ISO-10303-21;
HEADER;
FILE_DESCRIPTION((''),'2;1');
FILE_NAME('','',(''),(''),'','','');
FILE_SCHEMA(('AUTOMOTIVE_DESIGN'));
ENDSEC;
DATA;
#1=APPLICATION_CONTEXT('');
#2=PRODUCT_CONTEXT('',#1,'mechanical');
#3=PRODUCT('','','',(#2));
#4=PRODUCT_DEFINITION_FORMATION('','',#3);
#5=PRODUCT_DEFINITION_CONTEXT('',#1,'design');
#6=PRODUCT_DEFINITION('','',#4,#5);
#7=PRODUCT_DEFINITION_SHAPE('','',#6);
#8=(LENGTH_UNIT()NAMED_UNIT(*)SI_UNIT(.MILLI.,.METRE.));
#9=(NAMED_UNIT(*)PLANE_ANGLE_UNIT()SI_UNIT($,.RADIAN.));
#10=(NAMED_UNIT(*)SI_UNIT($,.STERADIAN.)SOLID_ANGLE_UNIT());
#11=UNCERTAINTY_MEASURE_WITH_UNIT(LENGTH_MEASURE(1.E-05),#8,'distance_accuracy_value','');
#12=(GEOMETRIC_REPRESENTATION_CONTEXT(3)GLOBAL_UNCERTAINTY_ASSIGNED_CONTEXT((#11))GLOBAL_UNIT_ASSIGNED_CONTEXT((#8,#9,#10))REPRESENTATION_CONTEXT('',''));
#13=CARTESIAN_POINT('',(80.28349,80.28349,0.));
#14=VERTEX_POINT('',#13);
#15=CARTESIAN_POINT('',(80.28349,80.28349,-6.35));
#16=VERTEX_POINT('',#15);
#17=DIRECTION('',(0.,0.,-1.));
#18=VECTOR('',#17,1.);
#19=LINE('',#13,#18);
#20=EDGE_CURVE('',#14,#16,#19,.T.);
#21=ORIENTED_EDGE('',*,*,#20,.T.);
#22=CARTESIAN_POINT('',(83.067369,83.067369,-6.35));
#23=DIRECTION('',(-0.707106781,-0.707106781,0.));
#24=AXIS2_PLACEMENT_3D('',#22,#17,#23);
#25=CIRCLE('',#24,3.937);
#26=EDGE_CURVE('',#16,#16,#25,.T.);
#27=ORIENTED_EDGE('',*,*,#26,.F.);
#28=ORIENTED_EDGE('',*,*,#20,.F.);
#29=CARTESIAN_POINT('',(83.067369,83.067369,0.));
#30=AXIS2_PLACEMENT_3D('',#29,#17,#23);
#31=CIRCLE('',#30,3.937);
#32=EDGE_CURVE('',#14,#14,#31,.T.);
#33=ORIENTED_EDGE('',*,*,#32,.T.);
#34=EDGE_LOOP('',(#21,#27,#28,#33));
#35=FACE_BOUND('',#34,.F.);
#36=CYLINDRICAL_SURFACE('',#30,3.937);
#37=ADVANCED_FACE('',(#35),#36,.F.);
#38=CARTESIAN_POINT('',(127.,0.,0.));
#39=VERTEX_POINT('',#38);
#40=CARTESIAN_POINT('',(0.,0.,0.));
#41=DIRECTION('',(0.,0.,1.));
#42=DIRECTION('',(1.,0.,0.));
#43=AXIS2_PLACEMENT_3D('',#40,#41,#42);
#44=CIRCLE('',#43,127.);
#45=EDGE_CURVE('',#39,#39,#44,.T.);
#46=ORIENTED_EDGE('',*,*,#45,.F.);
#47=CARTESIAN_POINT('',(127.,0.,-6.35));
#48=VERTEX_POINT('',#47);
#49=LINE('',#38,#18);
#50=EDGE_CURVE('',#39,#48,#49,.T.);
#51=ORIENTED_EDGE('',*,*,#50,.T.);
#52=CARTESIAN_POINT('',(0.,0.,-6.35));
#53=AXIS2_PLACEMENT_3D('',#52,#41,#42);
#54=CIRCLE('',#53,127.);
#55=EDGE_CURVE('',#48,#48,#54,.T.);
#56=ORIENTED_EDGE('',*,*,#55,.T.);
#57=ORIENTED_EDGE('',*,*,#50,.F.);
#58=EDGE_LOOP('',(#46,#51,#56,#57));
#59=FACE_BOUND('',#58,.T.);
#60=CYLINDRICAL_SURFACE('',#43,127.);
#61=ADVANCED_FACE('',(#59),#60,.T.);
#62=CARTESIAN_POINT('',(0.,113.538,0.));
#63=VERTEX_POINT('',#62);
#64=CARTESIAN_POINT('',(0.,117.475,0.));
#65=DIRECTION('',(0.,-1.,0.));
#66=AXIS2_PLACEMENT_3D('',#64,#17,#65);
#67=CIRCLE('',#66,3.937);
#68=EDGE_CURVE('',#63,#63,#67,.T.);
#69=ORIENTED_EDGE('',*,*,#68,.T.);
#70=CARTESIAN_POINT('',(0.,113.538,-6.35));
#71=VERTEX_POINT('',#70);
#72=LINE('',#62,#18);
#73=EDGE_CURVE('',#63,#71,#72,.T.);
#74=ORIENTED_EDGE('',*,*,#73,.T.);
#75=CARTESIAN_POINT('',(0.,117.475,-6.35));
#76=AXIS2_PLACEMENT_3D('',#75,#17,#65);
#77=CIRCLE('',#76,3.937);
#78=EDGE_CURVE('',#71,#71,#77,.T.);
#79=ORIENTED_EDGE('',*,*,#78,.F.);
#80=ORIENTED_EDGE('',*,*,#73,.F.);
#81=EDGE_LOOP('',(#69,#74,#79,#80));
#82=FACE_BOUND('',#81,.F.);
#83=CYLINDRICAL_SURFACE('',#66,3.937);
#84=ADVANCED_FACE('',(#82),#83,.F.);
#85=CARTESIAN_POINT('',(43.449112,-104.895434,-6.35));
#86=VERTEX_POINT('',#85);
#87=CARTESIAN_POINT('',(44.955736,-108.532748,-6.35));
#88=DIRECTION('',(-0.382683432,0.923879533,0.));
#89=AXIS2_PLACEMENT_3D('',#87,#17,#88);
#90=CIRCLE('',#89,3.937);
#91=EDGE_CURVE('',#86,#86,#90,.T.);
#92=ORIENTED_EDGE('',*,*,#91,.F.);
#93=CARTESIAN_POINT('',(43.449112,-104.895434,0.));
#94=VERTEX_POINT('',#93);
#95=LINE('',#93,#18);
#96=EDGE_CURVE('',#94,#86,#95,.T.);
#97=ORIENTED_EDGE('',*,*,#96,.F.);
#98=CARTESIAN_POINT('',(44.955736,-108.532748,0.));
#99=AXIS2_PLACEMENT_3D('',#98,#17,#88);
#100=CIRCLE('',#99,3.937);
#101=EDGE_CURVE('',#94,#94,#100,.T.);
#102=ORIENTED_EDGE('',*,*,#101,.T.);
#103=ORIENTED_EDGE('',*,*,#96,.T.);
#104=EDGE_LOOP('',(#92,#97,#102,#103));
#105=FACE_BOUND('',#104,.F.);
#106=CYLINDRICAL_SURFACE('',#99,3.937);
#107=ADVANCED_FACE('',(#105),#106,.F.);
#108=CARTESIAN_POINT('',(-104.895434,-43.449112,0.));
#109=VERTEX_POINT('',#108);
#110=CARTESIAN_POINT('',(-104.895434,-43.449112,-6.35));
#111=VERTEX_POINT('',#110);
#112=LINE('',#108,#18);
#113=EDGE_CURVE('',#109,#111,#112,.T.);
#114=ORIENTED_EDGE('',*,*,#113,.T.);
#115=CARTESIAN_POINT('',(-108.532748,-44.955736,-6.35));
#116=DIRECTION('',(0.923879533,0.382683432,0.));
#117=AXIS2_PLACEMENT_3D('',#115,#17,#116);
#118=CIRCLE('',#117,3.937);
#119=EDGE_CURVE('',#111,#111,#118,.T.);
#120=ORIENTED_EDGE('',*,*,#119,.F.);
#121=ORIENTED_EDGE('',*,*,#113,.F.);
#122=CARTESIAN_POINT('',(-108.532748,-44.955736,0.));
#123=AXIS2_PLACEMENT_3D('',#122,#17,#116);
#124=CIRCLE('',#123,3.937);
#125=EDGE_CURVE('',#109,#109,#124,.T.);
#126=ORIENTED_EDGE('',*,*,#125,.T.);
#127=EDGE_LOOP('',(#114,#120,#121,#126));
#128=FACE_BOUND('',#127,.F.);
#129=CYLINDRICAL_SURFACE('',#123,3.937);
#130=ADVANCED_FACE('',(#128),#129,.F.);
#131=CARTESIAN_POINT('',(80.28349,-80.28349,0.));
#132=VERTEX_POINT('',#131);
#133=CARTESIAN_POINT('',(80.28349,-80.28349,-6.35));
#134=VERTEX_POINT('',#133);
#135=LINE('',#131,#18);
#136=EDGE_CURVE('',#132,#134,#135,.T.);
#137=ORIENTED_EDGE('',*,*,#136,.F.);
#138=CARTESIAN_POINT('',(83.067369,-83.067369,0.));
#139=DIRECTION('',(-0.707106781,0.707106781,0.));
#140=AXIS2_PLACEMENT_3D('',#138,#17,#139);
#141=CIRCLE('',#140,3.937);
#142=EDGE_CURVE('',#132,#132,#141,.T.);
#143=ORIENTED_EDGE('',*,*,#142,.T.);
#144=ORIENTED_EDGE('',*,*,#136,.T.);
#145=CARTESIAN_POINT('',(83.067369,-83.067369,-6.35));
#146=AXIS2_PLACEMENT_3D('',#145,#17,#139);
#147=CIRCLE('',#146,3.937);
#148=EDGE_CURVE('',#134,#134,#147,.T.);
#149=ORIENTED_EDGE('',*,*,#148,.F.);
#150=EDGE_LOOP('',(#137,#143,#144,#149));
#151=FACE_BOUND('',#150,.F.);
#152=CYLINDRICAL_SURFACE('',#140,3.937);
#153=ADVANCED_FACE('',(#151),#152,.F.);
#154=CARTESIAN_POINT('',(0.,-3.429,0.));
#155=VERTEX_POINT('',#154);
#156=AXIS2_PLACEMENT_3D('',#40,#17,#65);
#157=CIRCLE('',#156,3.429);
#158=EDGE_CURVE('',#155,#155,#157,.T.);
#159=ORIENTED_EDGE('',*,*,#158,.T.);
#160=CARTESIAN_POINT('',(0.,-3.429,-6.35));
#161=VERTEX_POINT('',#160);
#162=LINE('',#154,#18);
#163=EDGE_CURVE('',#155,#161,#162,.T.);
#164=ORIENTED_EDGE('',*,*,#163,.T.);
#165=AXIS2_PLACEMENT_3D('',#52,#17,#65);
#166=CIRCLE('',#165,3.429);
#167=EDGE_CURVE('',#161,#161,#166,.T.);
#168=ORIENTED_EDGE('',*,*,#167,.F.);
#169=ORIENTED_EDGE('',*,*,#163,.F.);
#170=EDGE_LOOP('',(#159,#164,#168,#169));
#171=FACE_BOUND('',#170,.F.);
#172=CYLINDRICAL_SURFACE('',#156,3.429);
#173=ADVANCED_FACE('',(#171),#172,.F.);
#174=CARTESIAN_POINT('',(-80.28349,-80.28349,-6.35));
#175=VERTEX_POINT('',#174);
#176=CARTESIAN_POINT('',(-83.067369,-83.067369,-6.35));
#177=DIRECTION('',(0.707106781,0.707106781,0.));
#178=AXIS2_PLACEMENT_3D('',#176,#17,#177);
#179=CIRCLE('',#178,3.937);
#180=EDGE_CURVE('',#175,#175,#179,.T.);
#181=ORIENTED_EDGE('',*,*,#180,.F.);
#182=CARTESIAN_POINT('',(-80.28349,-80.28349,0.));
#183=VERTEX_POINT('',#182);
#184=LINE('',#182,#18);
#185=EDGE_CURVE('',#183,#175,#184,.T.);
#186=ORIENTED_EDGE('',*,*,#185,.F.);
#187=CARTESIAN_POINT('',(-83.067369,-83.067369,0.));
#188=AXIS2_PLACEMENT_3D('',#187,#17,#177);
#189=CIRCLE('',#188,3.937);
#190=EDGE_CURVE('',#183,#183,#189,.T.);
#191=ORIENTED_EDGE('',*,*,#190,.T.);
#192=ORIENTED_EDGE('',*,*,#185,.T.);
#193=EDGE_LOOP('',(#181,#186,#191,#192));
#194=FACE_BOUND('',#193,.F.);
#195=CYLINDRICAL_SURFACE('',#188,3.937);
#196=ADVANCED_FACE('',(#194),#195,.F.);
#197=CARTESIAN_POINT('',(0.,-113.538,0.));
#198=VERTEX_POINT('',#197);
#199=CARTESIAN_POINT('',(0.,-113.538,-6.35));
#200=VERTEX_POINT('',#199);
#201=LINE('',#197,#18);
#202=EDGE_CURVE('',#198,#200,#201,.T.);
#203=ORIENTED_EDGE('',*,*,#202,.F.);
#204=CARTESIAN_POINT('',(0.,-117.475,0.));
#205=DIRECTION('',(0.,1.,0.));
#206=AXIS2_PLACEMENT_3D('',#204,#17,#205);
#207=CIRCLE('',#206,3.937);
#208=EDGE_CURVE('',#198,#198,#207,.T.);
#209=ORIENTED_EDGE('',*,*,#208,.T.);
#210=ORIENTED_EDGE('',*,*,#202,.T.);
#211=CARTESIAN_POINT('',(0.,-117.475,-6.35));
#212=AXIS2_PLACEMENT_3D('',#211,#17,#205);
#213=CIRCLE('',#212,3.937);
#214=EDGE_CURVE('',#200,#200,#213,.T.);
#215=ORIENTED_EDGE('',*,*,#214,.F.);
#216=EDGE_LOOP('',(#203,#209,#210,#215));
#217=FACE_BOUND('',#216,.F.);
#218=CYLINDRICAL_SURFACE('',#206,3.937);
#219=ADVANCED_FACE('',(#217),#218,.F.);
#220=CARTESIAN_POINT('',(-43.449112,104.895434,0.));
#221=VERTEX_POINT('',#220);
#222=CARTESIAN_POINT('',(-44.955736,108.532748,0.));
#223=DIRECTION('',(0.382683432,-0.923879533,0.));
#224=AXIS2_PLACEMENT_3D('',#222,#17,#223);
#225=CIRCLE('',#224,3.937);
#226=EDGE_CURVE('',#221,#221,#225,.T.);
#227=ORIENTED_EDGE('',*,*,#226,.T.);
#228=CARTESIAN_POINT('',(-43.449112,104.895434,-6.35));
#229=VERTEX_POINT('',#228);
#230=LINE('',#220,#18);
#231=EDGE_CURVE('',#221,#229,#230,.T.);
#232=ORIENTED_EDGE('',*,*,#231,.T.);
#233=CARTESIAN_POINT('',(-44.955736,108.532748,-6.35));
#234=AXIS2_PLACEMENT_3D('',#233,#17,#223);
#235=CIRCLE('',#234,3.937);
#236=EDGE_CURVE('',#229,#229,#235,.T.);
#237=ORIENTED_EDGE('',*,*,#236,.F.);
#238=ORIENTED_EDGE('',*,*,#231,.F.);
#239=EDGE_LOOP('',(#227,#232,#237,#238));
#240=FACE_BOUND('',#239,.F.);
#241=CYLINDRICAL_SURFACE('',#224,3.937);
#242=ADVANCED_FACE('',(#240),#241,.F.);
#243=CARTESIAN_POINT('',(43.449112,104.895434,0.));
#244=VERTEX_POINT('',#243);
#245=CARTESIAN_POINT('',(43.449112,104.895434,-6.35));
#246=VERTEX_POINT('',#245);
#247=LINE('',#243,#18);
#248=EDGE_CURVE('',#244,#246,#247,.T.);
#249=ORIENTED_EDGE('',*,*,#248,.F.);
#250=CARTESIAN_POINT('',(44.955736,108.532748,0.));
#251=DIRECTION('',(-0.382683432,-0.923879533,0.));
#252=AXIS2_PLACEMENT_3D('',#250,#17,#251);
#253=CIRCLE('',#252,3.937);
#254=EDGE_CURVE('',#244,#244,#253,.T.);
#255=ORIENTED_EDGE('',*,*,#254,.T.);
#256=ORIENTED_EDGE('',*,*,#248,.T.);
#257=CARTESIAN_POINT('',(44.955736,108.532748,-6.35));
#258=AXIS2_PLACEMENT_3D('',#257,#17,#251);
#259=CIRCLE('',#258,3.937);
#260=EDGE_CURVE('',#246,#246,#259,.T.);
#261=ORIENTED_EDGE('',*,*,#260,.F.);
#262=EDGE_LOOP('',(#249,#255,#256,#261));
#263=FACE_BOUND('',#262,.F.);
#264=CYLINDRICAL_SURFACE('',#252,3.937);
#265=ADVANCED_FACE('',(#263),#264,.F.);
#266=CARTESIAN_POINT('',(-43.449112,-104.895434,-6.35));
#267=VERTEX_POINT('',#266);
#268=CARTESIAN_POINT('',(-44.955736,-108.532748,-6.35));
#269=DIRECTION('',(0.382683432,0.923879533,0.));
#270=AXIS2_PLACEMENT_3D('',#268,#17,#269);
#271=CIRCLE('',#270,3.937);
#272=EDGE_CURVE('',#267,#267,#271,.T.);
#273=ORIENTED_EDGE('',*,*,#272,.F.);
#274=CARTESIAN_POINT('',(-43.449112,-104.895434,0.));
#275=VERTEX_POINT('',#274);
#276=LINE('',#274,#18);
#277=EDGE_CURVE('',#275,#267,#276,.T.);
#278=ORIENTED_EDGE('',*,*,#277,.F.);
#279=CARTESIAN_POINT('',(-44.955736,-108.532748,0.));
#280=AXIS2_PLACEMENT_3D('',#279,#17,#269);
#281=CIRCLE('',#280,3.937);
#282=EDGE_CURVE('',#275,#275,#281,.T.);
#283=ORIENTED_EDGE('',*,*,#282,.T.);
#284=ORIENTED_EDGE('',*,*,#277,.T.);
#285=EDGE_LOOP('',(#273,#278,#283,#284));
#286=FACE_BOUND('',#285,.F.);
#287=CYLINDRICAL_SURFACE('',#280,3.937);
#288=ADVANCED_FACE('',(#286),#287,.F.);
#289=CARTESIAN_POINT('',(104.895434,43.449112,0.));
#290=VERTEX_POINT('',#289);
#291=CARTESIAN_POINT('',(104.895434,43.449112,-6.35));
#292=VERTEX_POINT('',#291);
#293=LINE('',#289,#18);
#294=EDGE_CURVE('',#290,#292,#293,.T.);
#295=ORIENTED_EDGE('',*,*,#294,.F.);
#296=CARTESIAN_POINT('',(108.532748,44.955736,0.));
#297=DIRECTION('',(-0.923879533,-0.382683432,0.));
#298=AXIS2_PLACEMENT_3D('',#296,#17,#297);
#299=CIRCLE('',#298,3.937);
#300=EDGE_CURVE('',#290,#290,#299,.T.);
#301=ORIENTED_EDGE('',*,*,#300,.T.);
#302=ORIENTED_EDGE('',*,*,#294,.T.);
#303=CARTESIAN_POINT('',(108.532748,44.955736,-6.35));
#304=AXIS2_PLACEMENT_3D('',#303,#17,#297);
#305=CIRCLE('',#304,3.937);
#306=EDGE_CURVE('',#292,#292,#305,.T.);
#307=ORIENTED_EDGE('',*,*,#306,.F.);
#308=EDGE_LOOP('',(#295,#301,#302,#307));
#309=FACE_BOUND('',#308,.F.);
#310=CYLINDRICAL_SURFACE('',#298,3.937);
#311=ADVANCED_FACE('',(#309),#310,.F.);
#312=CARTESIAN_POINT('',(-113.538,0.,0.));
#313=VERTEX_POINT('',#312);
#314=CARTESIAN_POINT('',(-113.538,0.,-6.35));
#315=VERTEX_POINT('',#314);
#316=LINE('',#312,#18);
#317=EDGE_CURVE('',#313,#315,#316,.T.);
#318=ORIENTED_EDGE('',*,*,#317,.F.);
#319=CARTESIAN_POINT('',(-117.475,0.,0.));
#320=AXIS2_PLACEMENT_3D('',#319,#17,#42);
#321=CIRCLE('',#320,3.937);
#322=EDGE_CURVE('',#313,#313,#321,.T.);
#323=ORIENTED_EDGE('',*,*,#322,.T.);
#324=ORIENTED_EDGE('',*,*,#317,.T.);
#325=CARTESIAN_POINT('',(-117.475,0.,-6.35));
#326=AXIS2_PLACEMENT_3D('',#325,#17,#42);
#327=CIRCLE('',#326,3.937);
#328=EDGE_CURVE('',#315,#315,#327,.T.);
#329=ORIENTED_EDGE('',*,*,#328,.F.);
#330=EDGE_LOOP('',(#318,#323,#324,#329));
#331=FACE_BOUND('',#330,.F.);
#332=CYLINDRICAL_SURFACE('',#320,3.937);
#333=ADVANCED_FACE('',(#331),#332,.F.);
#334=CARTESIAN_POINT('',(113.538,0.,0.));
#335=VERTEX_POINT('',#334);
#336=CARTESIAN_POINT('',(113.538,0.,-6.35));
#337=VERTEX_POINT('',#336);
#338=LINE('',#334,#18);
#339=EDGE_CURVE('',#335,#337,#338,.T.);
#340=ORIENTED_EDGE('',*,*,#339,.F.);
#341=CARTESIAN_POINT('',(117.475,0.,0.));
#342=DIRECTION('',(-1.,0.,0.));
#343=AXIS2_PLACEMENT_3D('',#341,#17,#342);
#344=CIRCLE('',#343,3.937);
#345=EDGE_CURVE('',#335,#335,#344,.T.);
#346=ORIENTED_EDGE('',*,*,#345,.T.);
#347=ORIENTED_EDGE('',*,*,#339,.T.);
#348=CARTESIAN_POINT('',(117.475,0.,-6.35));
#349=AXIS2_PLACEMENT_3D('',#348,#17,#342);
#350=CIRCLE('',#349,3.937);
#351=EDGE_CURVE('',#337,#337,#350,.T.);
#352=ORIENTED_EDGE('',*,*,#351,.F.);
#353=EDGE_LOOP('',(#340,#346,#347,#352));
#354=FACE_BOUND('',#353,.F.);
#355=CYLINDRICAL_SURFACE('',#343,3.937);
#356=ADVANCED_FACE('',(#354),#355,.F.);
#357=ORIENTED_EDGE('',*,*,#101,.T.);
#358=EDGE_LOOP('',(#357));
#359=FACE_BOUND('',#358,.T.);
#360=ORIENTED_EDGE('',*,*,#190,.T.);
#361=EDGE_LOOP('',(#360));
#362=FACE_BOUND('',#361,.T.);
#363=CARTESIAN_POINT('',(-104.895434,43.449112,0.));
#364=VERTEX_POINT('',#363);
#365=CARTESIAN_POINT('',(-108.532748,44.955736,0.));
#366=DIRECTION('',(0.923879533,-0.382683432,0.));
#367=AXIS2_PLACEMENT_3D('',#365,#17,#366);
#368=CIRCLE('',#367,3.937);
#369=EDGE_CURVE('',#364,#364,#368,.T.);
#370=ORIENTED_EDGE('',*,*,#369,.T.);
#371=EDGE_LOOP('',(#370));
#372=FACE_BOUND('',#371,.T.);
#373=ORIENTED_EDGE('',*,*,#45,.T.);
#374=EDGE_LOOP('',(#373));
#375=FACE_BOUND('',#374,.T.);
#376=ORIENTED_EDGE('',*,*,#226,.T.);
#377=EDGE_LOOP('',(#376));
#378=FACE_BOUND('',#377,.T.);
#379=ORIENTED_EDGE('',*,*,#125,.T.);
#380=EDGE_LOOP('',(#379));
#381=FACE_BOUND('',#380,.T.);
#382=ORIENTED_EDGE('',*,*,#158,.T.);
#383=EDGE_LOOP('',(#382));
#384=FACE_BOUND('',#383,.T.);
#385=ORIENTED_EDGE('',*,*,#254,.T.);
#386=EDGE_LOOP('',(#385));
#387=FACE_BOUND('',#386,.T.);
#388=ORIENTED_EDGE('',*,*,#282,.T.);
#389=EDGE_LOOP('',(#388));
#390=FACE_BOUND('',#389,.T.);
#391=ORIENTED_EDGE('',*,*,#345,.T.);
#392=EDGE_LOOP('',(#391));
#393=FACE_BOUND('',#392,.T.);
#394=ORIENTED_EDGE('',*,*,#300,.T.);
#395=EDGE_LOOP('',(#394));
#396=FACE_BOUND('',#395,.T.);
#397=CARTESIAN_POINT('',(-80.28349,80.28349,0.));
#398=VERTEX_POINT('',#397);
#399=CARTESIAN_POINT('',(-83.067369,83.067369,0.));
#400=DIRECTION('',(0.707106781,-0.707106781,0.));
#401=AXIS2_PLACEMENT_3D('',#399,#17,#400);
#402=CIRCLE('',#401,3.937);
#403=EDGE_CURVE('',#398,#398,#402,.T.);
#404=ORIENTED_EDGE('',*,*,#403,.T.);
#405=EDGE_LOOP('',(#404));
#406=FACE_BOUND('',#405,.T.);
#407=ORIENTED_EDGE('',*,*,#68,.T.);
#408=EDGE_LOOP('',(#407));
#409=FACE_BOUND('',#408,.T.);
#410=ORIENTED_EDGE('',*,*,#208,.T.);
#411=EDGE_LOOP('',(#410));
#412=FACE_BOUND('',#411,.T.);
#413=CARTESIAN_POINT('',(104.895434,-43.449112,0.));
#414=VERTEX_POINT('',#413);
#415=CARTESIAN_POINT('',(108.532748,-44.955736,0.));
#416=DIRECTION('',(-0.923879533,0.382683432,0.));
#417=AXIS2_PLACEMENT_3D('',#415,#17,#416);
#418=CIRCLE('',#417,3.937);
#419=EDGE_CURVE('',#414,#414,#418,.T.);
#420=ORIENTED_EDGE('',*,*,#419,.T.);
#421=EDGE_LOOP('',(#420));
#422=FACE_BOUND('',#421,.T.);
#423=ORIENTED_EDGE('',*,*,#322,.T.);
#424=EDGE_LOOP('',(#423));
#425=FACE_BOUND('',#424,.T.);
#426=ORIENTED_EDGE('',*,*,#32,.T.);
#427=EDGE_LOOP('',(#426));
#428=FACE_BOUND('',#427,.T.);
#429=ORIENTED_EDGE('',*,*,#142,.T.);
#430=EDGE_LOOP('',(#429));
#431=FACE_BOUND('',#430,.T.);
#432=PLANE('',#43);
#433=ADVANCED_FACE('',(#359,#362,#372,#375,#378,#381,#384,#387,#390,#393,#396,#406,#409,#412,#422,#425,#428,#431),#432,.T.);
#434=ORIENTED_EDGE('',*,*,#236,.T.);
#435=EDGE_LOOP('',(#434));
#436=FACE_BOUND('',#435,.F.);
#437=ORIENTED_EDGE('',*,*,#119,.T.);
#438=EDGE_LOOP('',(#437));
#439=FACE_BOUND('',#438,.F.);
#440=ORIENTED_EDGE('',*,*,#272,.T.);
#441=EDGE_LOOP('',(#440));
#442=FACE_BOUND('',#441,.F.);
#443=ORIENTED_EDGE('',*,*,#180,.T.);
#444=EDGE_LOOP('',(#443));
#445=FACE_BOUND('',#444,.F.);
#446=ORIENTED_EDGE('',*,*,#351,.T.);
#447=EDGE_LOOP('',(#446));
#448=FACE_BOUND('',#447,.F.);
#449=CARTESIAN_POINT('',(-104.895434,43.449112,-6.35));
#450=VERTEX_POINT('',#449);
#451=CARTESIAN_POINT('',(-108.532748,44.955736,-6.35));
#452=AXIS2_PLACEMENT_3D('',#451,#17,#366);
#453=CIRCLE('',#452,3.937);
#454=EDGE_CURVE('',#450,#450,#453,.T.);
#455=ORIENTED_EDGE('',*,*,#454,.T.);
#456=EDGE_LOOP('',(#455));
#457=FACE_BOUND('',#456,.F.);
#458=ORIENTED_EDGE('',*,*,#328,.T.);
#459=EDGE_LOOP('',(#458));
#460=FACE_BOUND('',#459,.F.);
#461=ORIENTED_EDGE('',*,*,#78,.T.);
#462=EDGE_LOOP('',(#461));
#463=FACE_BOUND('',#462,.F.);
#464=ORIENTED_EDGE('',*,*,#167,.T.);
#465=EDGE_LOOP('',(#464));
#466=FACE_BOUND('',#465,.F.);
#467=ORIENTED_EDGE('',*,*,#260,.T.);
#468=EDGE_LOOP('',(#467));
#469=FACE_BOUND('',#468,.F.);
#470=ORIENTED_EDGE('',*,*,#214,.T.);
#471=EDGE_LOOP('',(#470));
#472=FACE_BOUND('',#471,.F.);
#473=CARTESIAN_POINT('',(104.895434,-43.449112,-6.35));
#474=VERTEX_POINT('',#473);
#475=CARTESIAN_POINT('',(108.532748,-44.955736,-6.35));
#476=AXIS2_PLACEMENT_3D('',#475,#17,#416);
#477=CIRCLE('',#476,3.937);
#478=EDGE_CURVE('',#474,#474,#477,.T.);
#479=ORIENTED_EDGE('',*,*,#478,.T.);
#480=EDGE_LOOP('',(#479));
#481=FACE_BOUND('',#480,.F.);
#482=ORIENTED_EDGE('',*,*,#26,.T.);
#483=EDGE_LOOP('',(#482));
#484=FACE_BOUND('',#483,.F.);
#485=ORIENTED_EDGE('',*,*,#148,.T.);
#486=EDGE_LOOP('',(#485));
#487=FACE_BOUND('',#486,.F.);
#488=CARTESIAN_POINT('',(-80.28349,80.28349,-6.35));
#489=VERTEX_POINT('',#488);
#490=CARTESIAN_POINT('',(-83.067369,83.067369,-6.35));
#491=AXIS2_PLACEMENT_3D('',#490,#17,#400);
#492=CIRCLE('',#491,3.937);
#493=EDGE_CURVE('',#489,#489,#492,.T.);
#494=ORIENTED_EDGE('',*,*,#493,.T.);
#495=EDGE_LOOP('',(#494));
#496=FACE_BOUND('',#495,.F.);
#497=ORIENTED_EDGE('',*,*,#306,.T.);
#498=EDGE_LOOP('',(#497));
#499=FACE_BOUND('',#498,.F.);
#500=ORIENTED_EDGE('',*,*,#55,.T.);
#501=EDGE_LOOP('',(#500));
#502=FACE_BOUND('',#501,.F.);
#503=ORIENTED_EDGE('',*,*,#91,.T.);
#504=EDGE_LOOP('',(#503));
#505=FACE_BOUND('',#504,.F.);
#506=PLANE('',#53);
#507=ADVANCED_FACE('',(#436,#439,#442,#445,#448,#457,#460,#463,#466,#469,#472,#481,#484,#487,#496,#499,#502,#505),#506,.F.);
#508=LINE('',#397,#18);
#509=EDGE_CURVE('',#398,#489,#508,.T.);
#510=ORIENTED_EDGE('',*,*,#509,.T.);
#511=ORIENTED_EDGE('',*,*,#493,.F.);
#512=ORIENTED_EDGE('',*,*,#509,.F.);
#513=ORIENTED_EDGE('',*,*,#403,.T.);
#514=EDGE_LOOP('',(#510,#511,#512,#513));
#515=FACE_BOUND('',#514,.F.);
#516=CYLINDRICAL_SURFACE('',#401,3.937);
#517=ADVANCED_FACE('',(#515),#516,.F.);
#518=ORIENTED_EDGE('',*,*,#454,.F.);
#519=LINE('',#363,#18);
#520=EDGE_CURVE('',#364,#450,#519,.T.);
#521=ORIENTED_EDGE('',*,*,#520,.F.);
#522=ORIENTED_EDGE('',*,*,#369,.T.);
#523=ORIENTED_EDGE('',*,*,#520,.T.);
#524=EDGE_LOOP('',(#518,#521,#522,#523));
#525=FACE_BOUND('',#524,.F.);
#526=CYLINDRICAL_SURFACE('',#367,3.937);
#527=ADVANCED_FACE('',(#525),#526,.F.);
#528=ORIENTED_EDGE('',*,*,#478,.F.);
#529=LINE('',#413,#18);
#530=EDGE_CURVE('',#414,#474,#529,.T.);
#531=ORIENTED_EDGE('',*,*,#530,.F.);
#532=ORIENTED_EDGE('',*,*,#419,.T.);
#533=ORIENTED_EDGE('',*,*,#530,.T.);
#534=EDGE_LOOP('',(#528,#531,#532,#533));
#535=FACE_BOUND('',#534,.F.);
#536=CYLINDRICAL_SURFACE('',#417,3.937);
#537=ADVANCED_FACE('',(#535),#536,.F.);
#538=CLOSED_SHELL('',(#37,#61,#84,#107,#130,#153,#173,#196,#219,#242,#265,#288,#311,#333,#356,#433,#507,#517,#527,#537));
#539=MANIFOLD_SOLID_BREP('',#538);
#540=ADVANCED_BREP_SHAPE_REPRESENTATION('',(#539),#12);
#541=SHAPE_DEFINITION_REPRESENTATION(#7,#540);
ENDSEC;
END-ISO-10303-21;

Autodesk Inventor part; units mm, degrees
ref_plane "YZ Plane" through (0, 0, 0) normal (1, 0, 0) x (0, 1, 0)
ref_plane "XZ Plane" through (0, 0, 0) normal (0, 1, 0) x (-1, 0, 0)
ref_plane "XY Plane" through (0, 0, 0) normal (0, 0, 1) x (1, 0, 0)
sketch "Sketch1" plane through (0, 0, 0) normal (0, 0, 1) x (1, 0, 0)
  circle A0 centre (0, 0) radius 127
  dimension "d2" = 254
extrude "Extrusion1" add sketch "Sketch1" against normal blind 6.35
sketch "Sketch2" plane through (0, 0, 0) normal (0, 0, 1) x (1, 0, 0)
  circle A0 centre (0, 0) radius 127 projected
hole "Hole1" at (0, 0, 0) direction (0, 0, -1) diameter 6.858 end through all
sketch "Sketch3" plane through (0, 0, 0) normal (0, 0, 1) x (1, 0, 0)
  circle A0 centre (0, 0) radius 3.429 projected
  circle A1 centre (0, 0) radius 127 projected
  circle A2 centre (0, 0) radius 117.475 construction
  point P0 (0, 117.475)
  dimension "d11" = 234.95
hole "Hole2" at (0, 117.475, 0) direction (0, 0, -1) diameter 7.874 end through all
pattern_circular "Circular Pattern1" count 16 over 360 about axis through (0, 0, 0) along (0, 0, -1) of "Hole2"
properties part number "GE-13036" material "Polyethylene, High Density"
